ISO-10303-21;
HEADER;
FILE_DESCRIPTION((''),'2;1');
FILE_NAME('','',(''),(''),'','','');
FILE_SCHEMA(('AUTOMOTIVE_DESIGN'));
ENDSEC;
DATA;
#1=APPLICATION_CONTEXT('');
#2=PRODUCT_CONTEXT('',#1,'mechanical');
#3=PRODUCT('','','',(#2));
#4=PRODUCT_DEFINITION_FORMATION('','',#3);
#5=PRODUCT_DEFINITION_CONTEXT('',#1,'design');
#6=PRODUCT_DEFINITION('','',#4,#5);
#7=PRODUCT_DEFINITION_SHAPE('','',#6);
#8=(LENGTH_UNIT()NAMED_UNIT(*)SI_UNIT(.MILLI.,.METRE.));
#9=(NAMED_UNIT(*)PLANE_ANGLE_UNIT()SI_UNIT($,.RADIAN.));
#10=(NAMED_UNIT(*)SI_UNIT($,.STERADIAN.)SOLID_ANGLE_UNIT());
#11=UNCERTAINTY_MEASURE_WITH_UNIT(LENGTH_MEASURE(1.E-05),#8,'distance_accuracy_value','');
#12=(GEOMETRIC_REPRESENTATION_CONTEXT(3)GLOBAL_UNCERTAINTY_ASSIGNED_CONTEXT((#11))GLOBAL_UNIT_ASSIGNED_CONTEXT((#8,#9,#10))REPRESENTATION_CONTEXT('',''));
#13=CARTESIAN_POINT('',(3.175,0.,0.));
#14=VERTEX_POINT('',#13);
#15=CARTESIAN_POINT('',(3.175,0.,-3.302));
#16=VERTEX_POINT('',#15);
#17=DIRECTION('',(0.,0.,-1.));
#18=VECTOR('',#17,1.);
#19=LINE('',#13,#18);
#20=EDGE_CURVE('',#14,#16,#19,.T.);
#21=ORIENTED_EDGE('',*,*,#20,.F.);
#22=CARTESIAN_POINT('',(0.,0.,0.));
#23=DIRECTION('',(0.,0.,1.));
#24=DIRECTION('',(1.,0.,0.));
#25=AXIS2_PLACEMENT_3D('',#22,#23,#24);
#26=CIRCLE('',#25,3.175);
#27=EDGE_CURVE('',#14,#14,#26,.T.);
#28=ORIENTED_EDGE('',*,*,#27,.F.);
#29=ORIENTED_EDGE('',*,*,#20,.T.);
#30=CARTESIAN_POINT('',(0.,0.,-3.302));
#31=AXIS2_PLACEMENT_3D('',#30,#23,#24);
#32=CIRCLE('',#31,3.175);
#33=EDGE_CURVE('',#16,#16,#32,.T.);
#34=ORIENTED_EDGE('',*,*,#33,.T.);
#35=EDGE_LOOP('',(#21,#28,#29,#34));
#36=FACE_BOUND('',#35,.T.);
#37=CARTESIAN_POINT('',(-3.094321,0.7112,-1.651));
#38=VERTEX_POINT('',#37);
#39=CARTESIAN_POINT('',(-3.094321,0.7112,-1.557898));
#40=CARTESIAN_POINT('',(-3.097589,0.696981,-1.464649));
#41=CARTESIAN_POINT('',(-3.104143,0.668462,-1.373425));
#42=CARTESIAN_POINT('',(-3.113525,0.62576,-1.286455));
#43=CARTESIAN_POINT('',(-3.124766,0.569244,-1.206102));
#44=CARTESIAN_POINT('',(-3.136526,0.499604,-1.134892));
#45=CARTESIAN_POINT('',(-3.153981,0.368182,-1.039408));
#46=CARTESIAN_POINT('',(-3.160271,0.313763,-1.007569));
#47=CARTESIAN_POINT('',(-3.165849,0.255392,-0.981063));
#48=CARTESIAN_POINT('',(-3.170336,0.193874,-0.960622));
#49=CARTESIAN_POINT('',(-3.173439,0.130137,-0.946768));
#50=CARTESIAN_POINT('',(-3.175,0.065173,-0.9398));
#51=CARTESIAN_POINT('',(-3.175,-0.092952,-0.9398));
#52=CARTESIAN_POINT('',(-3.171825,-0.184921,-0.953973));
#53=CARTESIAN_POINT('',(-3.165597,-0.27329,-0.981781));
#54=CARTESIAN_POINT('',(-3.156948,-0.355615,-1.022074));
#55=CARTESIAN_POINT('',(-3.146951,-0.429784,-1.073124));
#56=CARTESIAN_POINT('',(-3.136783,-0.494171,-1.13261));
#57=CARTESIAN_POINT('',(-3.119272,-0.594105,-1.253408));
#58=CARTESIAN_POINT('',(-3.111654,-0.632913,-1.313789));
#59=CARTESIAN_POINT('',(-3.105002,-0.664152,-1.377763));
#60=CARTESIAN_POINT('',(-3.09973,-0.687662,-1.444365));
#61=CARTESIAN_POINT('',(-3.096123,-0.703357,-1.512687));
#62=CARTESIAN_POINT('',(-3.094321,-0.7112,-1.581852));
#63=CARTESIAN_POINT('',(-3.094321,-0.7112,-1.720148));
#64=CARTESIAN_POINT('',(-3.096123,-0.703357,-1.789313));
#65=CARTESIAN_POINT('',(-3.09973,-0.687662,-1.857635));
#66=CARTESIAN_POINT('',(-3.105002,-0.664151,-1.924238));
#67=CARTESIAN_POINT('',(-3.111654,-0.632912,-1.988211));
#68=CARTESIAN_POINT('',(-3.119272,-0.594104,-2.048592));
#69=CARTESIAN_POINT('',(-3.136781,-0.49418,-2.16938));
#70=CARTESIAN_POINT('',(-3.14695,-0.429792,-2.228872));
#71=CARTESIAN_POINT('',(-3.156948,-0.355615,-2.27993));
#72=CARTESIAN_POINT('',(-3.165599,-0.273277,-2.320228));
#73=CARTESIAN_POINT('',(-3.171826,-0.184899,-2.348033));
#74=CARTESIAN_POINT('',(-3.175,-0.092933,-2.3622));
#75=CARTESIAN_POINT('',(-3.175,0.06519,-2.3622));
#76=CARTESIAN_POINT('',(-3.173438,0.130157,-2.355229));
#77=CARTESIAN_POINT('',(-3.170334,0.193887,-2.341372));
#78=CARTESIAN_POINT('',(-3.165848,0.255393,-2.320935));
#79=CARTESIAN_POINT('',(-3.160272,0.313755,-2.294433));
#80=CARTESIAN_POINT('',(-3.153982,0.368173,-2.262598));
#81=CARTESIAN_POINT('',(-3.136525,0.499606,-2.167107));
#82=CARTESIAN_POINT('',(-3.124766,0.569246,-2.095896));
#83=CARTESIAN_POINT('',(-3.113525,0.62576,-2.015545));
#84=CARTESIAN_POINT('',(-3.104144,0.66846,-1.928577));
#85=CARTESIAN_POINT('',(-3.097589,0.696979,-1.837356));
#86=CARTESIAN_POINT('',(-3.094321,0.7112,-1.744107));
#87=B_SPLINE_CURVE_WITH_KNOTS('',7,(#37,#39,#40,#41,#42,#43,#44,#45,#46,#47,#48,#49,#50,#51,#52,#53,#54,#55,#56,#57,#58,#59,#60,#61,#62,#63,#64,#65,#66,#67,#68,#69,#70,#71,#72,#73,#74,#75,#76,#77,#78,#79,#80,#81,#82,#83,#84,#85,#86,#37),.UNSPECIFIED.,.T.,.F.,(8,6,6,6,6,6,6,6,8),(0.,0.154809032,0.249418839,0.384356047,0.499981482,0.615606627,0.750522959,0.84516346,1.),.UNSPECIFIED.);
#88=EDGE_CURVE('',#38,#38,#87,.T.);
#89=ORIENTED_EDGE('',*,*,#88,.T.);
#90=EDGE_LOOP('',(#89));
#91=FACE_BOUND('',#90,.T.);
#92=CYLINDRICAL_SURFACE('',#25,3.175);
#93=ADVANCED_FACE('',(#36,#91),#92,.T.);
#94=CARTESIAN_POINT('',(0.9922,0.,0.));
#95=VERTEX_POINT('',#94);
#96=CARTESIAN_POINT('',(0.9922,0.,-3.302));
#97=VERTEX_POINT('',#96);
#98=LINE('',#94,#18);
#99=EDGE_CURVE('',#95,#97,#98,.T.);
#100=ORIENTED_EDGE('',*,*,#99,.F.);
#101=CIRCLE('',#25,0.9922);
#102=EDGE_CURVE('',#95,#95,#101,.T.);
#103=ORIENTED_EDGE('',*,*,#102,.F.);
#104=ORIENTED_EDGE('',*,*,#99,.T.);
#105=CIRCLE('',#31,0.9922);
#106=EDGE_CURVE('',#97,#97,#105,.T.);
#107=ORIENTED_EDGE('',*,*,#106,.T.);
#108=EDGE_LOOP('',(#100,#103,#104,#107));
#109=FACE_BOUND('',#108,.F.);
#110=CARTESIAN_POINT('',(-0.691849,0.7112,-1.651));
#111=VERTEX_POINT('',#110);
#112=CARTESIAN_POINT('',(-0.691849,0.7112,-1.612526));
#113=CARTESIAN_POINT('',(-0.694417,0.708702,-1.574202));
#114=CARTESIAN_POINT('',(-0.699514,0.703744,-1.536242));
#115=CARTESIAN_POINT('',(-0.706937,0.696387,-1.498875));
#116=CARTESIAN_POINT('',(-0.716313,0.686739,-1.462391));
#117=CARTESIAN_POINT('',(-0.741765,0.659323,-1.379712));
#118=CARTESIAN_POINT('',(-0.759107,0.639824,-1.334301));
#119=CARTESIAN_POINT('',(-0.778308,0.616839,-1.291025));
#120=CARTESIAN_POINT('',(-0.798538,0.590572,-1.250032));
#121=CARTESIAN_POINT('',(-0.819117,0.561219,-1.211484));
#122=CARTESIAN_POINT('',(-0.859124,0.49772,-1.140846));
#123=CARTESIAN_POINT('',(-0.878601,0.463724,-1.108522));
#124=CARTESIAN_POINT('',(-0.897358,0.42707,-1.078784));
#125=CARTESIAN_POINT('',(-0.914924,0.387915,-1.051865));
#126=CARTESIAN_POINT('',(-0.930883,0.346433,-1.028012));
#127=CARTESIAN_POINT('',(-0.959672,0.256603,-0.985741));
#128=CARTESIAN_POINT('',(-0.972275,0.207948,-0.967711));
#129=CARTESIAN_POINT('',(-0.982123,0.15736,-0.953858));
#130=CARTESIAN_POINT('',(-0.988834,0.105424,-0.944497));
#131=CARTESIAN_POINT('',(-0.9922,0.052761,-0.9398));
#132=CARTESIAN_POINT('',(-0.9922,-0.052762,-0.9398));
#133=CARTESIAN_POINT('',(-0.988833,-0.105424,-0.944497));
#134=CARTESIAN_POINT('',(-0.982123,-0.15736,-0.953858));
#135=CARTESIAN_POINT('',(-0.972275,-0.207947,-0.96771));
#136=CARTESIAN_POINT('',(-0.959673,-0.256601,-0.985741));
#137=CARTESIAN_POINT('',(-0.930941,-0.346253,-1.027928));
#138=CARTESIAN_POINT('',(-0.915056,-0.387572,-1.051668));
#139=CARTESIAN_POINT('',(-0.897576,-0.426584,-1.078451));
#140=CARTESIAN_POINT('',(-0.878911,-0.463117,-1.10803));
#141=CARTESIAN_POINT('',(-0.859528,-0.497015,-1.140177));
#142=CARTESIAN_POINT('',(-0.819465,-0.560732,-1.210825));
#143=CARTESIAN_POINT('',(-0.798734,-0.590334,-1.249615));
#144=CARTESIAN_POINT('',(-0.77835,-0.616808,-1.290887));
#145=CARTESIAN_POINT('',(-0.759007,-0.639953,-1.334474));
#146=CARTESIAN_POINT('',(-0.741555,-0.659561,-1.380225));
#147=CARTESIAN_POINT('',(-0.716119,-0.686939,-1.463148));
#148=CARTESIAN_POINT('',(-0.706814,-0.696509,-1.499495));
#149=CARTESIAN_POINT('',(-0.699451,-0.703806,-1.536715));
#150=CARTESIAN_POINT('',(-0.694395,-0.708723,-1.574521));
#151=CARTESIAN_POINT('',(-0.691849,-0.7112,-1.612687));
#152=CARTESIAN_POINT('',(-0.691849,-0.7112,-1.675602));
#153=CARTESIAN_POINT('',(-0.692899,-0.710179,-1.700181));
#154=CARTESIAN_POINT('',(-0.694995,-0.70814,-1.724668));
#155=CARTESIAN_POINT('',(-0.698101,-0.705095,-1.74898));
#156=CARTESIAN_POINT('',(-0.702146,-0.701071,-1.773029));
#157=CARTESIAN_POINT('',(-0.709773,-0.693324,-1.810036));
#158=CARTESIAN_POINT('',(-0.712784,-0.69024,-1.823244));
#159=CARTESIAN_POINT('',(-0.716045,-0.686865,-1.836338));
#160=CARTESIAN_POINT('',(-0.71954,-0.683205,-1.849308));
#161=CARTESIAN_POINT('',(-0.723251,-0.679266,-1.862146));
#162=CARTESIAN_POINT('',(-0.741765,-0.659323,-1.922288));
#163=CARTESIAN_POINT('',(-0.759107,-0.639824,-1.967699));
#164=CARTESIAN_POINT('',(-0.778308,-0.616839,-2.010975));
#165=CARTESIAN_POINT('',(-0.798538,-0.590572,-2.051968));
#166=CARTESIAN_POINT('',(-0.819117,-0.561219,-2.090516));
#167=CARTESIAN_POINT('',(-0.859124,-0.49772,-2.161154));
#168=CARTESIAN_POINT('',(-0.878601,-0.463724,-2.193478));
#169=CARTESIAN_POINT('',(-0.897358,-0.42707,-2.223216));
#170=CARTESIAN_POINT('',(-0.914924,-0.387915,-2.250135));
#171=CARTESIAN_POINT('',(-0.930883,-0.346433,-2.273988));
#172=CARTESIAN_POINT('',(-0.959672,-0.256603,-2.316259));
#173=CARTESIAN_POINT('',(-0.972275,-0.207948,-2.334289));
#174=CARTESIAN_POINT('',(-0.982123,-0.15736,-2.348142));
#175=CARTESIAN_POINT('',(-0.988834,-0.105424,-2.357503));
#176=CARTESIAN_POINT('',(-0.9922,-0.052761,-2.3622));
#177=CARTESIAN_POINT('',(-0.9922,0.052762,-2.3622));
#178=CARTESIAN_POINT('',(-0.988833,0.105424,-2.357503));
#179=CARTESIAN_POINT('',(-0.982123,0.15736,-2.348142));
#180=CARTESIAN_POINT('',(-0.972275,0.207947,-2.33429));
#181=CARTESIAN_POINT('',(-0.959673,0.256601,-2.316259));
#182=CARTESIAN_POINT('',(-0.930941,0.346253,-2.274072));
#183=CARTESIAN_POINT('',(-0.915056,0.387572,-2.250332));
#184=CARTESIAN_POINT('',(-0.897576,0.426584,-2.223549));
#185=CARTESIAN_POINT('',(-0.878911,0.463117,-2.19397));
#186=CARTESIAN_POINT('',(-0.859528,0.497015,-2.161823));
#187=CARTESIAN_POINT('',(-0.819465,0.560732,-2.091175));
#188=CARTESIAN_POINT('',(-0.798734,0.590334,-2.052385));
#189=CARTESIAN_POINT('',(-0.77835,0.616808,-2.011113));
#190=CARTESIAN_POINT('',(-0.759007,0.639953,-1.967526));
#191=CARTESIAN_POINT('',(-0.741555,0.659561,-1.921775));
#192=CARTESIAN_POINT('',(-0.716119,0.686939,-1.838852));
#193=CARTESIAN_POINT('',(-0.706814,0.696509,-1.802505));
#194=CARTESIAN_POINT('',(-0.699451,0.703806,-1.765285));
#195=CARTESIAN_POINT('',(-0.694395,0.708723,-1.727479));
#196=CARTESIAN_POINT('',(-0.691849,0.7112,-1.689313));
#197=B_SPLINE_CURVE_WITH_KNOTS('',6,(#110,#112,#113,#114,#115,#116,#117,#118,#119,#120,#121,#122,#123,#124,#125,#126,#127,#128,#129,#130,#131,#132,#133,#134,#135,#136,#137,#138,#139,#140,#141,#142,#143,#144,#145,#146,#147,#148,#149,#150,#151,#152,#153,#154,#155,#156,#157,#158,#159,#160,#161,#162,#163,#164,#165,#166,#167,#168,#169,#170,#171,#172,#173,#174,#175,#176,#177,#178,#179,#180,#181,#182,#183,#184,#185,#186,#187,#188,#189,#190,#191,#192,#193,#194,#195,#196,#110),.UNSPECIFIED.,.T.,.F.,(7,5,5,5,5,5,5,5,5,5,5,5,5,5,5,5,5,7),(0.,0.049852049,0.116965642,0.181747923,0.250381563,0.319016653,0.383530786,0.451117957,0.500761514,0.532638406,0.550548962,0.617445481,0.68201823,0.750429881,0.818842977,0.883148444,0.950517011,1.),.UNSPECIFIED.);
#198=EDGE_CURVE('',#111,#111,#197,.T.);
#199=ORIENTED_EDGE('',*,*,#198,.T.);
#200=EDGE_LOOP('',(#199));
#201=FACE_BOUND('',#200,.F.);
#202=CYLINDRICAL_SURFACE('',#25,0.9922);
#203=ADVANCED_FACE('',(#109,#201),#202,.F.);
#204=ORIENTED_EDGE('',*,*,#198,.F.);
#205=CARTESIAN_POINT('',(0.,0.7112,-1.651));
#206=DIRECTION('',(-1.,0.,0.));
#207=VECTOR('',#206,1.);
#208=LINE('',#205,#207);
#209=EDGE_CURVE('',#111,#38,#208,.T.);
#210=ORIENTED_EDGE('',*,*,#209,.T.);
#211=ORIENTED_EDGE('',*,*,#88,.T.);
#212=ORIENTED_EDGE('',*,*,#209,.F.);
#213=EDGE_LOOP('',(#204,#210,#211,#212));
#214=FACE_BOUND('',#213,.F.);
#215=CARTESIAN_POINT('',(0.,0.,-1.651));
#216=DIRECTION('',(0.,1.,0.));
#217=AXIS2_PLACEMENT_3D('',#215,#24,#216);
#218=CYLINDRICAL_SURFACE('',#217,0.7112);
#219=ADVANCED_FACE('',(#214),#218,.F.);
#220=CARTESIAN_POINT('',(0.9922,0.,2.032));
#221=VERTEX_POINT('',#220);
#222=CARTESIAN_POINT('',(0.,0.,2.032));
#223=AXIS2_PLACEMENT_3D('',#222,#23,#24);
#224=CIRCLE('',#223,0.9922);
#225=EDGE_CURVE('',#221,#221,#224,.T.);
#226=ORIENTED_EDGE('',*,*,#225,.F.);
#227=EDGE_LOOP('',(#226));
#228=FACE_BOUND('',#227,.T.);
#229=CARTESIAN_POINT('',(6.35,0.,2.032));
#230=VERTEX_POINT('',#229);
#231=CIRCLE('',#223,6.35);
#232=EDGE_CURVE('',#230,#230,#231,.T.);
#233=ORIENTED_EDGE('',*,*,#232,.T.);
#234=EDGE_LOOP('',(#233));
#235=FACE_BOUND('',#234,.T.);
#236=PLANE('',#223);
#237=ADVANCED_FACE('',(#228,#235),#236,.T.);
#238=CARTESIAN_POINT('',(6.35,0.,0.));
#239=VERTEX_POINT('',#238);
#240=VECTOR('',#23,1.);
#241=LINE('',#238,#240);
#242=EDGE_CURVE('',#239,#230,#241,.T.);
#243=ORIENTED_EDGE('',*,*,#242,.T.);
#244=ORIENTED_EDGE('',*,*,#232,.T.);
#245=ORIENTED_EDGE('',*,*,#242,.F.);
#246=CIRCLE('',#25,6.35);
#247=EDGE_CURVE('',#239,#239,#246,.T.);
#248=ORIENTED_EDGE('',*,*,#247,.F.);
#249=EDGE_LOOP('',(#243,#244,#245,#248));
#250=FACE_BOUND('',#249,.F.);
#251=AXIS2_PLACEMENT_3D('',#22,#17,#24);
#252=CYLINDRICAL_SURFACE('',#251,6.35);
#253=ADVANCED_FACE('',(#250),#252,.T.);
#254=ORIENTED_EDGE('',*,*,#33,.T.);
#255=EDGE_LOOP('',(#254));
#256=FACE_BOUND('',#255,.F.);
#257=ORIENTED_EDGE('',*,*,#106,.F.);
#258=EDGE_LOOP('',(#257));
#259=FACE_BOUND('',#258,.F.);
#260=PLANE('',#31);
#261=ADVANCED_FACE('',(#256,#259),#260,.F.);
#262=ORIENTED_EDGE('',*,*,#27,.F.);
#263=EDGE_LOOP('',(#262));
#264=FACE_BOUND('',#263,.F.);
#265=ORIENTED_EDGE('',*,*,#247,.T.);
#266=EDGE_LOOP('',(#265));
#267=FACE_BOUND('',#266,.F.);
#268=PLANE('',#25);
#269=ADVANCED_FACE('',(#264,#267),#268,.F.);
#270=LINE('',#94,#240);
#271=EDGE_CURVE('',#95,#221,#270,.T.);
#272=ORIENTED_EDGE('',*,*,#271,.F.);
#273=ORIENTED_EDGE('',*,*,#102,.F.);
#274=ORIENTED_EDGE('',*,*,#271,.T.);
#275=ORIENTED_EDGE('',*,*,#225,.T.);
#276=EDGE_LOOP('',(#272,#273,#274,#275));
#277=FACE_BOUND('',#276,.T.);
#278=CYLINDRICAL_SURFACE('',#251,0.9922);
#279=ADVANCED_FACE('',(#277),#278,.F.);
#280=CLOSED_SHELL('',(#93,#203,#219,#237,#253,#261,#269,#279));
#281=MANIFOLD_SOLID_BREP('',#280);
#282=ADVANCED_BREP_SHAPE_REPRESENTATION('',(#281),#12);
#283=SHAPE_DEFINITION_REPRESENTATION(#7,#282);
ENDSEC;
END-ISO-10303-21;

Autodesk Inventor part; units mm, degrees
ref_plane "YZ Plane" through (0, 0, 0) normal (1, 0, 0) x (0, 1, 0)
ref_plane "XZ Plane" through (0, 0, 0) normal (0, 1, 0) x (-1, 0, 0)
ref_plane "XY Plane" through (0, 0, 0) normal (0, 0, 1) x (1, 0, 0)
sketch "Sketch1" plane through (0, 0, 0) normal (0, 0, 1) x (1, 0, 0)
  circle A0 centre (0, 0) radius 6.35
  circle A1 centre (0, 0) radius 3.175
  circle A2 centre (0, 0) radius 0.9922
  dimension "d0" = 12.7
  dimension "d1" = 6.35
  dimension "d2" = 1.9844
extrude "Extrusion1" add sketch "Sketch1" along normal blind 2.032 contours A0 | A1
extrude "Extrusion2" add sketch "Sketch1" against normal blind 3.302 contours A1
sketch "Sketch2" plane through (0, 0, 0) normal (1, 0, 0) x (0, 1, 0)
  circle A0 centre (0, -1.651) radius 0.7112
  line L0 (-3.175, -3.302) -> (3.175, -3.302) projected
  point P0 (0, 0)
  dimension "d7" = 1.4224
  dimension "d8" = 1.651
extrude "Extrusion3" cut sketch "Sketch2" against normal blind 3.302
properties part number "Flywheel"
